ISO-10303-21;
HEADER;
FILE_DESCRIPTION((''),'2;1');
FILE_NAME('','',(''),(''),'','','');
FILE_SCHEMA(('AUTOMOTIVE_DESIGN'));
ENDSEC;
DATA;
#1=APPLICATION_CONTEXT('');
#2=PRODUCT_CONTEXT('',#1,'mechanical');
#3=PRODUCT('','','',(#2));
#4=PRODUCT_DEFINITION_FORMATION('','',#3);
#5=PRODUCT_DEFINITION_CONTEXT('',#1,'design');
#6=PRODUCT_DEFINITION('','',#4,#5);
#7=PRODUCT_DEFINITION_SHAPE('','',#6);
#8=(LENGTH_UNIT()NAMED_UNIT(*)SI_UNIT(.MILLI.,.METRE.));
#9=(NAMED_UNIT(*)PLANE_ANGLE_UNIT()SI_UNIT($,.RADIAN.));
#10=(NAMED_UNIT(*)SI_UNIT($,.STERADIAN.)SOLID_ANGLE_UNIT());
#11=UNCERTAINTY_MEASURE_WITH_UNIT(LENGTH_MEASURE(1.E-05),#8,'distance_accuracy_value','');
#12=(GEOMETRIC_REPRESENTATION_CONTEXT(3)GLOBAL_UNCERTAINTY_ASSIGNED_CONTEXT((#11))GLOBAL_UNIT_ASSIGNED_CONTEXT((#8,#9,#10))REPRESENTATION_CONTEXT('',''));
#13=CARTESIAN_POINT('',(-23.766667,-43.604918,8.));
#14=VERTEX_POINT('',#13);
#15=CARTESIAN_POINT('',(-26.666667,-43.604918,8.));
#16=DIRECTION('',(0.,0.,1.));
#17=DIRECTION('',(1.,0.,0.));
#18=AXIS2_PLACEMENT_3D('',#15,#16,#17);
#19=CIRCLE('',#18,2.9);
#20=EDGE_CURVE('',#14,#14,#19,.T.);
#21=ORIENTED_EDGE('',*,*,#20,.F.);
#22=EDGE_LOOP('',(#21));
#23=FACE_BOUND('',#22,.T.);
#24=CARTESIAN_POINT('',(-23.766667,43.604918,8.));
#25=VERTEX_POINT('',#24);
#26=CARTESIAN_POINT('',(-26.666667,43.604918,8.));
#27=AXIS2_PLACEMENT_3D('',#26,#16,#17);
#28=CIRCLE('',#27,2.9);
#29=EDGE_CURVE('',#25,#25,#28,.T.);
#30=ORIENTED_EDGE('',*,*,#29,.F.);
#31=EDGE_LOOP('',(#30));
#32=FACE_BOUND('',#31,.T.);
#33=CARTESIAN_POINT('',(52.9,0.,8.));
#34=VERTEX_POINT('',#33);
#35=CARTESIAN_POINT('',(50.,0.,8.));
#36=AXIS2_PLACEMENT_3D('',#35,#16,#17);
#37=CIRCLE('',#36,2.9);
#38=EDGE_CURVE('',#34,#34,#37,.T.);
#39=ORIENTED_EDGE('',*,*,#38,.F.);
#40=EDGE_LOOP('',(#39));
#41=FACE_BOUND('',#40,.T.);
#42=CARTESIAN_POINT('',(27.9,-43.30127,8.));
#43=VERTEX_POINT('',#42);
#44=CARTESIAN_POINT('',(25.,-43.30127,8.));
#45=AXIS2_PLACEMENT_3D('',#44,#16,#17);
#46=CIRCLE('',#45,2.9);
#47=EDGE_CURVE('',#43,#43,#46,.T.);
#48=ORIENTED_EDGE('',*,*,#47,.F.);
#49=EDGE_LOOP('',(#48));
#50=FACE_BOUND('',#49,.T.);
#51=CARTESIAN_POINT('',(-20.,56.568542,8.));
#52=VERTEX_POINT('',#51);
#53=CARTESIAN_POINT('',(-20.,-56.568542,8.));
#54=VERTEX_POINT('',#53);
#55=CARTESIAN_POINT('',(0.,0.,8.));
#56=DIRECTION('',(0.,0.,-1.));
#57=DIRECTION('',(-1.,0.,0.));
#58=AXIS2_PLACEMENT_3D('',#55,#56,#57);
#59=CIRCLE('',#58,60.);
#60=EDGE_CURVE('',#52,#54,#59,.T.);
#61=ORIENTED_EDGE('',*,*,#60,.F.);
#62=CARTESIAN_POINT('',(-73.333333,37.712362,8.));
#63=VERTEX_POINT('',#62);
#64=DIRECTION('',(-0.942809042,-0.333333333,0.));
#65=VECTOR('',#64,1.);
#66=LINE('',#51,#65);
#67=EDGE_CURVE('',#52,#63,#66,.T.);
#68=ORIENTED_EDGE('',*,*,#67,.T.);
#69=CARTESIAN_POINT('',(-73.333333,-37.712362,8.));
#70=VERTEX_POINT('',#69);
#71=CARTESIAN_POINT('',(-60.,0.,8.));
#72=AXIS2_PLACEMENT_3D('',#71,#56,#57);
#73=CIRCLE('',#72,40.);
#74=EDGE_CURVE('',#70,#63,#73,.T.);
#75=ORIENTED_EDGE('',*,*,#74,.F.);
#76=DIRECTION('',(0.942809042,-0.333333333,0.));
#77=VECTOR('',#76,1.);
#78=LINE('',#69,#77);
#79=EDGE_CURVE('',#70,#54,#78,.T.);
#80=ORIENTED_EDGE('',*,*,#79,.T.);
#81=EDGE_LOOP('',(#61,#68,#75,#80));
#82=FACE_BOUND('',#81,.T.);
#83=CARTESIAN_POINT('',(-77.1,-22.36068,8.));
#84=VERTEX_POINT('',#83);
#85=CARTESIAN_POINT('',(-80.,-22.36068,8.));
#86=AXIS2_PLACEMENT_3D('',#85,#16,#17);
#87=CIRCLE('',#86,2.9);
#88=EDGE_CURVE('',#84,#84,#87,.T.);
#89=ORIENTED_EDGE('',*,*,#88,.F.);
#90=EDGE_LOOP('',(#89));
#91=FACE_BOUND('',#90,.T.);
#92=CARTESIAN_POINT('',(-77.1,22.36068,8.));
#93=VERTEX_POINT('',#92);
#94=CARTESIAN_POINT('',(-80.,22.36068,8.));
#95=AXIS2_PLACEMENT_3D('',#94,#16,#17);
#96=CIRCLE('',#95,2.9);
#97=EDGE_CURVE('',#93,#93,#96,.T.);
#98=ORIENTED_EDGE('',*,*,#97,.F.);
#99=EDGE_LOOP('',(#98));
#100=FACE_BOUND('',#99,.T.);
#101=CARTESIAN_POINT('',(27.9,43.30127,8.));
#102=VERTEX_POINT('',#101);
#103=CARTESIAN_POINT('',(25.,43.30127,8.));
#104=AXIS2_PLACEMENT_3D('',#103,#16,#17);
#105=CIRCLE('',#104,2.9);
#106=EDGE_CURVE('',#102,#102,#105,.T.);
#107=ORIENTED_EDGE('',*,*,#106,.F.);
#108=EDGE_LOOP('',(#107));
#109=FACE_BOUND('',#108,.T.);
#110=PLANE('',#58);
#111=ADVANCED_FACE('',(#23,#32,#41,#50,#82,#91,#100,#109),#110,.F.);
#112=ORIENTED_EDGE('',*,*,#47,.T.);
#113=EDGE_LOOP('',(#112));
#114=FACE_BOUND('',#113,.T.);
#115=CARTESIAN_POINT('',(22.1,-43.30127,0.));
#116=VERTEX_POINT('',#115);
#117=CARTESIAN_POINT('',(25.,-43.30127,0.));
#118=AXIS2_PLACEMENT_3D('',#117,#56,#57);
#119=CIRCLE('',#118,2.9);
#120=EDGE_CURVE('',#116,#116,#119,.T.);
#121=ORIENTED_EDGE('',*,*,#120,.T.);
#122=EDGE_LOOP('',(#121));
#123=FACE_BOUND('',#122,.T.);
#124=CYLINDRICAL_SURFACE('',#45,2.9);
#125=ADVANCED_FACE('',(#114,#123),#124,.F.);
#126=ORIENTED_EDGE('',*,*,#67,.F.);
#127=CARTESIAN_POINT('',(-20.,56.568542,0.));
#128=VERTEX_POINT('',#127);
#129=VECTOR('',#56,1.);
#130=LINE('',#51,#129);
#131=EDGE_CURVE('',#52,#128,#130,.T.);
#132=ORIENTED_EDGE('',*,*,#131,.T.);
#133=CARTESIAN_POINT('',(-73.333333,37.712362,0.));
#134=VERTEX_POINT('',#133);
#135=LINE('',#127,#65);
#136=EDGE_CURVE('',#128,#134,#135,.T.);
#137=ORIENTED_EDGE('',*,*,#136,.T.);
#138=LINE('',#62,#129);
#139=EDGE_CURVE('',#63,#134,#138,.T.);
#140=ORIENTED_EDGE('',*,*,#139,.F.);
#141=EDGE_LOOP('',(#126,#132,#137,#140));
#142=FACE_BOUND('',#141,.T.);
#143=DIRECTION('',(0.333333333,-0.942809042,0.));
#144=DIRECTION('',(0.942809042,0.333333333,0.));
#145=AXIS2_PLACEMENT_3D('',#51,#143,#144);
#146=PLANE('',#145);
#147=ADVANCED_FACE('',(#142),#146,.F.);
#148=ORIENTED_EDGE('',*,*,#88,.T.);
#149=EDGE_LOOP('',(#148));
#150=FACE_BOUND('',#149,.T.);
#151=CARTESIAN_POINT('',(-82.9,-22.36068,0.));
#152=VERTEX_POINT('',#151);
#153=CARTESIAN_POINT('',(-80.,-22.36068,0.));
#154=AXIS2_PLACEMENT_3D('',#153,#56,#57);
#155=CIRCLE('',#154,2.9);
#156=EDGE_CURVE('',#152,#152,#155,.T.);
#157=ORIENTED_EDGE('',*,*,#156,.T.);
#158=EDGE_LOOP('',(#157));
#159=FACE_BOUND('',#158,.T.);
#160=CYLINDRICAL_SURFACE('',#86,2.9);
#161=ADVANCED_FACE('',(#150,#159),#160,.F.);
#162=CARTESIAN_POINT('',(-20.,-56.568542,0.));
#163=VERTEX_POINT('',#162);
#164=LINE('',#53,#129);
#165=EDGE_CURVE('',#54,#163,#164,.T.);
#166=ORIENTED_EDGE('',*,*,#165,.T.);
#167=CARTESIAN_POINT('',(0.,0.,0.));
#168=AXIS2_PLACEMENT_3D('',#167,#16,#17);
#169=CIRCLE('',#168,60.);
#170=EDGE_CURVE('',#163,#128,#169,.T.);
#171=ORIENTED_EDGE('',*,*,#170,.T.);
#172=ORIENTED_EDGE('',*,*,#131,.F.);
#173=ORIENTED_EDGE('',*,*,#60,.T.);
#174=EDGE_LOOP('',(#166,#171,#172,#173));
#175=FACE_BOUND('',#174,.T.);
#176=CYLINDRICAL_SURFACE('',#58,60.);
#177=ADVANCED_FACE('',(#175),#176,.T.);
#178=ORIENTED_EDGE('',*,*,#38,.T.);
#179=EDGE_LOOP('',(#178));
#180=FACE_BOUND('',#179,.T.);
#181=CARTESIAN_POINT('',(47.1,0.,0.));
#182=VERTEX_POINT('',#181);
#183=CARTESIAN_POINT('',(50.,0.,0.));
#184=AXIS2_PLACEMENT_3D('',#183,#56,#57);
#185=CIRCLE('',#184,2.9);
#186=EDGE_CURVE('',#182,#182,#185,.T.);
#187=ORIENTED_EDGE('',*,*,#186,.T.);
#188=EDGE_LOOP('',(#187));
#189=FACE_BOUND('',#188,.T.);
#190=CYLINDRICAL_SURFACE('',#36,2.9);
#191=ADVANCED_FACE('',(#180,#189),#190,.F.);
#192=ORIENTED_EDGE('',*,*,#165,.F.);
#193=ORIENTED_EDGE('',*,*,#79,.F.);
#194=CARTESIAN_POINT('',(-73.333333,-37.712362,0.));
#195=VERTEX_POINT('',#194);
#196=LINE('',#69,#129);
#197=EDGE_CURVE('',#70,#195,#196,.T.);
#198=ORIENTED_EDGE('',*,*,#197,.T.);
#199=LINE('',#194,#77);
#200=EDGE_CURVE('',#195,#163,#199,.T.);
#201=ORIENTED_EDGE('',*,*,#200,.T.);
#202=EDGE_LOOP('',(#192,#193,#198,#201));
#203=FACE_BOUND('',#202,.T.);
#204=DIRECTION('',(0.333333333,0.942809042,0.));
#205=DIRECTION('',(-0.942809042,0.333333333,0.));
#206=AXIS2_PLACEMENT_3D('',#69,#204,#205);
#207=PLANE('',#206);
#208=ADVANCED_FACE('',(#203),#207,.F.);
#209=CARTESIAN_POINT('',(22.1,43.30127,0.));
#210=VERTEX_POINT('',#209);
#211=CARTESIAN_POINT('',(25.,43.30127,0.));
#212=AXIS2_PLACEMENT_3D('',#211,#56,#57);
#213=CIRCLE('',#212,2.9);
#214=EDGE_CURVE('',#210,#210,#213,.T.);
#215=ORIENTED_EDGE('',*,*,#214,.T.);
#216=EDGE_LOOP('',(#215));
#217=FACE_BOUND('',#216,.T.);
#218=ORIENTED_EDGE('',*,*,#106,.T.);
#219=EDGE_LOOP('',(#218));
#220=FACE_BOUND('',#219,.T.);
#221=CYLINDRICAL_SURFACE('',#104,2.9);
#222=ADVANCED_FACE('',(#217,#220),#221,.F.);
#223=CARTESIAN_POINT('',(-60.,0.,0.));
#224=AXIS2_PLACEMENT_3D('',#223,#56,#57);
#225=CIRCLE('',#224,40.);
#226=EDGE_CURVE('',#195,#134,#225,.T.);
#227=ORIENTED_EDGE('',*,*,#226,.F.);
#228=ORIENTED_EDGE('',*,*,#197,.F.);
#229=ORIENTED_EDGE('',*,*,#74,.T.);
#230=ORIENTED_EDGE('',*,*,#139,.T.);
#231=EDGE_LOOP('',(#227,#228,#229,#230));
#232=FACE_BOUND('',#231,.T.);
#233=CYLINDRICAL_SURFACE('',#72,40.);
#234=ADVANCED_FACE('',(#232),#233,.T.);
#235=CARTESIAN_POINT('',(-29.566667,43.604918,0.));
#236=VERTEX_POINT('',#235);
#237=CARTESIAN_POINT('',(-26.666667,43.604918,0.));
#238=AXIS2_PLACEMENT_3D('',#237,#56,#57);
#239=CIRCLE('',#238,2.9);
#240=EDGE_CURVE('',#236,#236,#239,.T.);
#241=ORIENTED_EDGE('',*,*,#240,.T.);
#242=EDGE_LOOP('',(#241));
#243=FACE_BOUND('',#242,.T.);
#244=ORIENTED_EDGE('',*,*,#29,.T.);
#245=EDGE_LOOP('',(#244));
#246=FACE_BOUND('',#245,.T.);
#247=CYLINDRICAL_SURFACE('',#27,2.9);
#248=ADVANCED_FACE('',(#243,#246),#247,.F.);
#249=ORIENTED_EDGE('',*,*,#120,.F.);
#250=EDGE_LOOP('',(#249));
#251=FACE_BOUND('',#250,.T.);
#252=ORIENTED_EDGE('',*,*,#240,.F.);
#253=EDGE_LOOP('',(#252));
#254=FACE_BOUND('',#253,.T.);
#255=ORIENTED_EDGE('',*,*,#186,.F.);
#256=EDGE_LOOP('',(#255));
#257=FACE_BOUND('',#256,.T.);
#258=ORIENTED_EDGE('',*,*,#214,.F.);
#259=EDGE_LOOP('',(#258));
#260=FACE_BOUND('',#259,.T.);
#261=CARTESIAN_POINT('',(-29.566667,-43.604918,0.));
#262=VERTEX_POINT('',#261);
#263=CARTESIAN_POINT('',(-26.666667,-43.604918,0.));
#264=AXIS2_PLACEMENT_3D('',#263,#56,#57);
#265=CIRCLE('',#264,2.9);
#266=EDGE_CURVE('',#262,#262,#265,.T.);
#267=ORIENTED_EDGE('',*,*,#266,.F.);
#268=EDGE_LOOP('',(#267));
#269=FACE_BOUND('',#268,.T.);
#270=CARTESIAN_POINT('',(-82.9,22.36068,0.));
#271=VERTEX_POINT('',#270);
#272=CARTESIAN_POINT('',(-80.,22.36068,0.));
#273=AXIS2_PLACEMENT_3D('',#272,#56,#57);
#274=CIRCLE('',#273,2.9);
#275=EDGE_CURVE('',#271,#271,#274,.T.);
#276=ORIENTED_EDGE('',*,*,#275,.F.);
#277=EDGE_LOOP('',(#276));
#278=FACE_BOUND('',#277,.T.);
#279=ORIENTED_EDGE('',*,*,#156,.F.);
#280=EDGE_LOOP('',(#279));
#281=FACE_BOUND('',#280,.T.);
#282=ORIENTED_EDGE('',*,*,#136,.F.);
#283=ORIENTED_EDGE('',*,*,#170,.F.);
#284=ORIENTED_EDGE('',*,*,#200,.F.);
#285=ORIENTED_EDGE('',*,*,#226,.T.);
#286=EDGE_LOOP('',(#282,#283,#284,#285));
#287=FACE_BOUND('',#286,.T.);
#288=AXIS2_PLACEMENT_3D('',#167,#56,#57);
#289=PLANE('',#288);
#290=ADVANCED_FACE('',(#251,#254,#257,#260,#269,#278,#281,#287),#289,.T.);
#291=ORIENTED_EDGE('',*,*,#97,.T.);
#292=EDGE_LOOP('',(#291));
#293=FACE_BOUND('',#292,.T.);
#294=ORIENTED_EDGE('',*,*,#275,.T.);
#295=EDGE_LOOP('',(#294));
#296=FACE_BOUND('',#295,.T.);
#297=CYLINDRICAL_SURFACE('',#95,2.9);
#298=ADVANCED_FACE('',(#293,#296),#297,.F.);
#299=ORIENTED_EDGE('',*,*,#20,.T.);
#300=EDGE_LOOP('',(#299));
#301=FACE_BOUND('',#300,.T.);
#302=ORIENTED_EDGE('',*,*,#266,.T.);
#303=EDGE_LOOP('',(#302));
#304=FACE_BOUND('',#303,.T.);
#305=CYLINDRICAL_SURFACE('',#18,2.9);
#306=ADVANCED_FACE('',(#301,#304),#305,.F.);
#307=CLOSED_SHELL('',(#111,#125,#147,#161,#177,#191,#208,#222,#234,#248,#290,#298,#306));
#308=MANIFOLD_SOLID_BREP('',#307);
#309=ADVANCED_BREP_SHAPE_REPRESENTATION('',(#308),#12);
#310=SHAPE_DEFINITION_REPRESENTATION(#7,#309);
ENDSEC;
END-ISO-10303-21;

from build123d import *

# Parameters (mm, degrees)
BOSS_EXTRU_1_DEPTH   = 8
D_GAGEMENT_M52_D     = 5.8
D_GAGEMENT_M52_DEPTH = 90
D_GAGEMENT_M52_TIP   = 1.742495795


with BuildPart() as part:
    # Esquisse1 → Boss.-Extru.1 (new body)
    with BuildSketch(Plane.XY):
        with BuildLine():
            Line((-20, 56.568542495), (-73.333333333, 37.712361663))
            ThreePointArc((-73.333333333, 37.712361663), (-100, 0), (-73.333333333, -37.712361663))
            Line((-73.333333333, -37.712361663), (-20, -56.568542495))
            ThreePointArc((-20, -56.568542495), (34.641016151, -48.989794856), (60, 0))
            ThreePointArc((60, 0), (34.641016151, 48.989794856), (-20, 56.568542495))
        make_face()
    extrude(amount=BOSS_EXTRU_1_DEPTH)

    # Dégagement M52
    with Locations(Plane(origin=(15, 0, 8), x_dir=(0, 1, 0), z_dir=(0, 0, 1))):
        with Locations((43.604918173, 41.666666667), (0, -35), (-43.301270189, -10), (43.301270189, -10), (-22.360679775, 95), (22.360679775, 95), (-43.604918173, 41.666666667)):
            Hole(D_GAGEMENT_M52_D / 2, depth=D_GAGEMENT_M52_DEPTH)
            with Locations((0, 0, -(D_GAGEMENT_M52_DEPTH + D_GAGEMENT_M52_TIP / 2))):  # 118° drill point
                Cone(0, D_GAGEMENT_M52_D / 2, D_GAGEMENT_M52_TIP, mode=Mode.SUBTRACT)


solid = part.part
